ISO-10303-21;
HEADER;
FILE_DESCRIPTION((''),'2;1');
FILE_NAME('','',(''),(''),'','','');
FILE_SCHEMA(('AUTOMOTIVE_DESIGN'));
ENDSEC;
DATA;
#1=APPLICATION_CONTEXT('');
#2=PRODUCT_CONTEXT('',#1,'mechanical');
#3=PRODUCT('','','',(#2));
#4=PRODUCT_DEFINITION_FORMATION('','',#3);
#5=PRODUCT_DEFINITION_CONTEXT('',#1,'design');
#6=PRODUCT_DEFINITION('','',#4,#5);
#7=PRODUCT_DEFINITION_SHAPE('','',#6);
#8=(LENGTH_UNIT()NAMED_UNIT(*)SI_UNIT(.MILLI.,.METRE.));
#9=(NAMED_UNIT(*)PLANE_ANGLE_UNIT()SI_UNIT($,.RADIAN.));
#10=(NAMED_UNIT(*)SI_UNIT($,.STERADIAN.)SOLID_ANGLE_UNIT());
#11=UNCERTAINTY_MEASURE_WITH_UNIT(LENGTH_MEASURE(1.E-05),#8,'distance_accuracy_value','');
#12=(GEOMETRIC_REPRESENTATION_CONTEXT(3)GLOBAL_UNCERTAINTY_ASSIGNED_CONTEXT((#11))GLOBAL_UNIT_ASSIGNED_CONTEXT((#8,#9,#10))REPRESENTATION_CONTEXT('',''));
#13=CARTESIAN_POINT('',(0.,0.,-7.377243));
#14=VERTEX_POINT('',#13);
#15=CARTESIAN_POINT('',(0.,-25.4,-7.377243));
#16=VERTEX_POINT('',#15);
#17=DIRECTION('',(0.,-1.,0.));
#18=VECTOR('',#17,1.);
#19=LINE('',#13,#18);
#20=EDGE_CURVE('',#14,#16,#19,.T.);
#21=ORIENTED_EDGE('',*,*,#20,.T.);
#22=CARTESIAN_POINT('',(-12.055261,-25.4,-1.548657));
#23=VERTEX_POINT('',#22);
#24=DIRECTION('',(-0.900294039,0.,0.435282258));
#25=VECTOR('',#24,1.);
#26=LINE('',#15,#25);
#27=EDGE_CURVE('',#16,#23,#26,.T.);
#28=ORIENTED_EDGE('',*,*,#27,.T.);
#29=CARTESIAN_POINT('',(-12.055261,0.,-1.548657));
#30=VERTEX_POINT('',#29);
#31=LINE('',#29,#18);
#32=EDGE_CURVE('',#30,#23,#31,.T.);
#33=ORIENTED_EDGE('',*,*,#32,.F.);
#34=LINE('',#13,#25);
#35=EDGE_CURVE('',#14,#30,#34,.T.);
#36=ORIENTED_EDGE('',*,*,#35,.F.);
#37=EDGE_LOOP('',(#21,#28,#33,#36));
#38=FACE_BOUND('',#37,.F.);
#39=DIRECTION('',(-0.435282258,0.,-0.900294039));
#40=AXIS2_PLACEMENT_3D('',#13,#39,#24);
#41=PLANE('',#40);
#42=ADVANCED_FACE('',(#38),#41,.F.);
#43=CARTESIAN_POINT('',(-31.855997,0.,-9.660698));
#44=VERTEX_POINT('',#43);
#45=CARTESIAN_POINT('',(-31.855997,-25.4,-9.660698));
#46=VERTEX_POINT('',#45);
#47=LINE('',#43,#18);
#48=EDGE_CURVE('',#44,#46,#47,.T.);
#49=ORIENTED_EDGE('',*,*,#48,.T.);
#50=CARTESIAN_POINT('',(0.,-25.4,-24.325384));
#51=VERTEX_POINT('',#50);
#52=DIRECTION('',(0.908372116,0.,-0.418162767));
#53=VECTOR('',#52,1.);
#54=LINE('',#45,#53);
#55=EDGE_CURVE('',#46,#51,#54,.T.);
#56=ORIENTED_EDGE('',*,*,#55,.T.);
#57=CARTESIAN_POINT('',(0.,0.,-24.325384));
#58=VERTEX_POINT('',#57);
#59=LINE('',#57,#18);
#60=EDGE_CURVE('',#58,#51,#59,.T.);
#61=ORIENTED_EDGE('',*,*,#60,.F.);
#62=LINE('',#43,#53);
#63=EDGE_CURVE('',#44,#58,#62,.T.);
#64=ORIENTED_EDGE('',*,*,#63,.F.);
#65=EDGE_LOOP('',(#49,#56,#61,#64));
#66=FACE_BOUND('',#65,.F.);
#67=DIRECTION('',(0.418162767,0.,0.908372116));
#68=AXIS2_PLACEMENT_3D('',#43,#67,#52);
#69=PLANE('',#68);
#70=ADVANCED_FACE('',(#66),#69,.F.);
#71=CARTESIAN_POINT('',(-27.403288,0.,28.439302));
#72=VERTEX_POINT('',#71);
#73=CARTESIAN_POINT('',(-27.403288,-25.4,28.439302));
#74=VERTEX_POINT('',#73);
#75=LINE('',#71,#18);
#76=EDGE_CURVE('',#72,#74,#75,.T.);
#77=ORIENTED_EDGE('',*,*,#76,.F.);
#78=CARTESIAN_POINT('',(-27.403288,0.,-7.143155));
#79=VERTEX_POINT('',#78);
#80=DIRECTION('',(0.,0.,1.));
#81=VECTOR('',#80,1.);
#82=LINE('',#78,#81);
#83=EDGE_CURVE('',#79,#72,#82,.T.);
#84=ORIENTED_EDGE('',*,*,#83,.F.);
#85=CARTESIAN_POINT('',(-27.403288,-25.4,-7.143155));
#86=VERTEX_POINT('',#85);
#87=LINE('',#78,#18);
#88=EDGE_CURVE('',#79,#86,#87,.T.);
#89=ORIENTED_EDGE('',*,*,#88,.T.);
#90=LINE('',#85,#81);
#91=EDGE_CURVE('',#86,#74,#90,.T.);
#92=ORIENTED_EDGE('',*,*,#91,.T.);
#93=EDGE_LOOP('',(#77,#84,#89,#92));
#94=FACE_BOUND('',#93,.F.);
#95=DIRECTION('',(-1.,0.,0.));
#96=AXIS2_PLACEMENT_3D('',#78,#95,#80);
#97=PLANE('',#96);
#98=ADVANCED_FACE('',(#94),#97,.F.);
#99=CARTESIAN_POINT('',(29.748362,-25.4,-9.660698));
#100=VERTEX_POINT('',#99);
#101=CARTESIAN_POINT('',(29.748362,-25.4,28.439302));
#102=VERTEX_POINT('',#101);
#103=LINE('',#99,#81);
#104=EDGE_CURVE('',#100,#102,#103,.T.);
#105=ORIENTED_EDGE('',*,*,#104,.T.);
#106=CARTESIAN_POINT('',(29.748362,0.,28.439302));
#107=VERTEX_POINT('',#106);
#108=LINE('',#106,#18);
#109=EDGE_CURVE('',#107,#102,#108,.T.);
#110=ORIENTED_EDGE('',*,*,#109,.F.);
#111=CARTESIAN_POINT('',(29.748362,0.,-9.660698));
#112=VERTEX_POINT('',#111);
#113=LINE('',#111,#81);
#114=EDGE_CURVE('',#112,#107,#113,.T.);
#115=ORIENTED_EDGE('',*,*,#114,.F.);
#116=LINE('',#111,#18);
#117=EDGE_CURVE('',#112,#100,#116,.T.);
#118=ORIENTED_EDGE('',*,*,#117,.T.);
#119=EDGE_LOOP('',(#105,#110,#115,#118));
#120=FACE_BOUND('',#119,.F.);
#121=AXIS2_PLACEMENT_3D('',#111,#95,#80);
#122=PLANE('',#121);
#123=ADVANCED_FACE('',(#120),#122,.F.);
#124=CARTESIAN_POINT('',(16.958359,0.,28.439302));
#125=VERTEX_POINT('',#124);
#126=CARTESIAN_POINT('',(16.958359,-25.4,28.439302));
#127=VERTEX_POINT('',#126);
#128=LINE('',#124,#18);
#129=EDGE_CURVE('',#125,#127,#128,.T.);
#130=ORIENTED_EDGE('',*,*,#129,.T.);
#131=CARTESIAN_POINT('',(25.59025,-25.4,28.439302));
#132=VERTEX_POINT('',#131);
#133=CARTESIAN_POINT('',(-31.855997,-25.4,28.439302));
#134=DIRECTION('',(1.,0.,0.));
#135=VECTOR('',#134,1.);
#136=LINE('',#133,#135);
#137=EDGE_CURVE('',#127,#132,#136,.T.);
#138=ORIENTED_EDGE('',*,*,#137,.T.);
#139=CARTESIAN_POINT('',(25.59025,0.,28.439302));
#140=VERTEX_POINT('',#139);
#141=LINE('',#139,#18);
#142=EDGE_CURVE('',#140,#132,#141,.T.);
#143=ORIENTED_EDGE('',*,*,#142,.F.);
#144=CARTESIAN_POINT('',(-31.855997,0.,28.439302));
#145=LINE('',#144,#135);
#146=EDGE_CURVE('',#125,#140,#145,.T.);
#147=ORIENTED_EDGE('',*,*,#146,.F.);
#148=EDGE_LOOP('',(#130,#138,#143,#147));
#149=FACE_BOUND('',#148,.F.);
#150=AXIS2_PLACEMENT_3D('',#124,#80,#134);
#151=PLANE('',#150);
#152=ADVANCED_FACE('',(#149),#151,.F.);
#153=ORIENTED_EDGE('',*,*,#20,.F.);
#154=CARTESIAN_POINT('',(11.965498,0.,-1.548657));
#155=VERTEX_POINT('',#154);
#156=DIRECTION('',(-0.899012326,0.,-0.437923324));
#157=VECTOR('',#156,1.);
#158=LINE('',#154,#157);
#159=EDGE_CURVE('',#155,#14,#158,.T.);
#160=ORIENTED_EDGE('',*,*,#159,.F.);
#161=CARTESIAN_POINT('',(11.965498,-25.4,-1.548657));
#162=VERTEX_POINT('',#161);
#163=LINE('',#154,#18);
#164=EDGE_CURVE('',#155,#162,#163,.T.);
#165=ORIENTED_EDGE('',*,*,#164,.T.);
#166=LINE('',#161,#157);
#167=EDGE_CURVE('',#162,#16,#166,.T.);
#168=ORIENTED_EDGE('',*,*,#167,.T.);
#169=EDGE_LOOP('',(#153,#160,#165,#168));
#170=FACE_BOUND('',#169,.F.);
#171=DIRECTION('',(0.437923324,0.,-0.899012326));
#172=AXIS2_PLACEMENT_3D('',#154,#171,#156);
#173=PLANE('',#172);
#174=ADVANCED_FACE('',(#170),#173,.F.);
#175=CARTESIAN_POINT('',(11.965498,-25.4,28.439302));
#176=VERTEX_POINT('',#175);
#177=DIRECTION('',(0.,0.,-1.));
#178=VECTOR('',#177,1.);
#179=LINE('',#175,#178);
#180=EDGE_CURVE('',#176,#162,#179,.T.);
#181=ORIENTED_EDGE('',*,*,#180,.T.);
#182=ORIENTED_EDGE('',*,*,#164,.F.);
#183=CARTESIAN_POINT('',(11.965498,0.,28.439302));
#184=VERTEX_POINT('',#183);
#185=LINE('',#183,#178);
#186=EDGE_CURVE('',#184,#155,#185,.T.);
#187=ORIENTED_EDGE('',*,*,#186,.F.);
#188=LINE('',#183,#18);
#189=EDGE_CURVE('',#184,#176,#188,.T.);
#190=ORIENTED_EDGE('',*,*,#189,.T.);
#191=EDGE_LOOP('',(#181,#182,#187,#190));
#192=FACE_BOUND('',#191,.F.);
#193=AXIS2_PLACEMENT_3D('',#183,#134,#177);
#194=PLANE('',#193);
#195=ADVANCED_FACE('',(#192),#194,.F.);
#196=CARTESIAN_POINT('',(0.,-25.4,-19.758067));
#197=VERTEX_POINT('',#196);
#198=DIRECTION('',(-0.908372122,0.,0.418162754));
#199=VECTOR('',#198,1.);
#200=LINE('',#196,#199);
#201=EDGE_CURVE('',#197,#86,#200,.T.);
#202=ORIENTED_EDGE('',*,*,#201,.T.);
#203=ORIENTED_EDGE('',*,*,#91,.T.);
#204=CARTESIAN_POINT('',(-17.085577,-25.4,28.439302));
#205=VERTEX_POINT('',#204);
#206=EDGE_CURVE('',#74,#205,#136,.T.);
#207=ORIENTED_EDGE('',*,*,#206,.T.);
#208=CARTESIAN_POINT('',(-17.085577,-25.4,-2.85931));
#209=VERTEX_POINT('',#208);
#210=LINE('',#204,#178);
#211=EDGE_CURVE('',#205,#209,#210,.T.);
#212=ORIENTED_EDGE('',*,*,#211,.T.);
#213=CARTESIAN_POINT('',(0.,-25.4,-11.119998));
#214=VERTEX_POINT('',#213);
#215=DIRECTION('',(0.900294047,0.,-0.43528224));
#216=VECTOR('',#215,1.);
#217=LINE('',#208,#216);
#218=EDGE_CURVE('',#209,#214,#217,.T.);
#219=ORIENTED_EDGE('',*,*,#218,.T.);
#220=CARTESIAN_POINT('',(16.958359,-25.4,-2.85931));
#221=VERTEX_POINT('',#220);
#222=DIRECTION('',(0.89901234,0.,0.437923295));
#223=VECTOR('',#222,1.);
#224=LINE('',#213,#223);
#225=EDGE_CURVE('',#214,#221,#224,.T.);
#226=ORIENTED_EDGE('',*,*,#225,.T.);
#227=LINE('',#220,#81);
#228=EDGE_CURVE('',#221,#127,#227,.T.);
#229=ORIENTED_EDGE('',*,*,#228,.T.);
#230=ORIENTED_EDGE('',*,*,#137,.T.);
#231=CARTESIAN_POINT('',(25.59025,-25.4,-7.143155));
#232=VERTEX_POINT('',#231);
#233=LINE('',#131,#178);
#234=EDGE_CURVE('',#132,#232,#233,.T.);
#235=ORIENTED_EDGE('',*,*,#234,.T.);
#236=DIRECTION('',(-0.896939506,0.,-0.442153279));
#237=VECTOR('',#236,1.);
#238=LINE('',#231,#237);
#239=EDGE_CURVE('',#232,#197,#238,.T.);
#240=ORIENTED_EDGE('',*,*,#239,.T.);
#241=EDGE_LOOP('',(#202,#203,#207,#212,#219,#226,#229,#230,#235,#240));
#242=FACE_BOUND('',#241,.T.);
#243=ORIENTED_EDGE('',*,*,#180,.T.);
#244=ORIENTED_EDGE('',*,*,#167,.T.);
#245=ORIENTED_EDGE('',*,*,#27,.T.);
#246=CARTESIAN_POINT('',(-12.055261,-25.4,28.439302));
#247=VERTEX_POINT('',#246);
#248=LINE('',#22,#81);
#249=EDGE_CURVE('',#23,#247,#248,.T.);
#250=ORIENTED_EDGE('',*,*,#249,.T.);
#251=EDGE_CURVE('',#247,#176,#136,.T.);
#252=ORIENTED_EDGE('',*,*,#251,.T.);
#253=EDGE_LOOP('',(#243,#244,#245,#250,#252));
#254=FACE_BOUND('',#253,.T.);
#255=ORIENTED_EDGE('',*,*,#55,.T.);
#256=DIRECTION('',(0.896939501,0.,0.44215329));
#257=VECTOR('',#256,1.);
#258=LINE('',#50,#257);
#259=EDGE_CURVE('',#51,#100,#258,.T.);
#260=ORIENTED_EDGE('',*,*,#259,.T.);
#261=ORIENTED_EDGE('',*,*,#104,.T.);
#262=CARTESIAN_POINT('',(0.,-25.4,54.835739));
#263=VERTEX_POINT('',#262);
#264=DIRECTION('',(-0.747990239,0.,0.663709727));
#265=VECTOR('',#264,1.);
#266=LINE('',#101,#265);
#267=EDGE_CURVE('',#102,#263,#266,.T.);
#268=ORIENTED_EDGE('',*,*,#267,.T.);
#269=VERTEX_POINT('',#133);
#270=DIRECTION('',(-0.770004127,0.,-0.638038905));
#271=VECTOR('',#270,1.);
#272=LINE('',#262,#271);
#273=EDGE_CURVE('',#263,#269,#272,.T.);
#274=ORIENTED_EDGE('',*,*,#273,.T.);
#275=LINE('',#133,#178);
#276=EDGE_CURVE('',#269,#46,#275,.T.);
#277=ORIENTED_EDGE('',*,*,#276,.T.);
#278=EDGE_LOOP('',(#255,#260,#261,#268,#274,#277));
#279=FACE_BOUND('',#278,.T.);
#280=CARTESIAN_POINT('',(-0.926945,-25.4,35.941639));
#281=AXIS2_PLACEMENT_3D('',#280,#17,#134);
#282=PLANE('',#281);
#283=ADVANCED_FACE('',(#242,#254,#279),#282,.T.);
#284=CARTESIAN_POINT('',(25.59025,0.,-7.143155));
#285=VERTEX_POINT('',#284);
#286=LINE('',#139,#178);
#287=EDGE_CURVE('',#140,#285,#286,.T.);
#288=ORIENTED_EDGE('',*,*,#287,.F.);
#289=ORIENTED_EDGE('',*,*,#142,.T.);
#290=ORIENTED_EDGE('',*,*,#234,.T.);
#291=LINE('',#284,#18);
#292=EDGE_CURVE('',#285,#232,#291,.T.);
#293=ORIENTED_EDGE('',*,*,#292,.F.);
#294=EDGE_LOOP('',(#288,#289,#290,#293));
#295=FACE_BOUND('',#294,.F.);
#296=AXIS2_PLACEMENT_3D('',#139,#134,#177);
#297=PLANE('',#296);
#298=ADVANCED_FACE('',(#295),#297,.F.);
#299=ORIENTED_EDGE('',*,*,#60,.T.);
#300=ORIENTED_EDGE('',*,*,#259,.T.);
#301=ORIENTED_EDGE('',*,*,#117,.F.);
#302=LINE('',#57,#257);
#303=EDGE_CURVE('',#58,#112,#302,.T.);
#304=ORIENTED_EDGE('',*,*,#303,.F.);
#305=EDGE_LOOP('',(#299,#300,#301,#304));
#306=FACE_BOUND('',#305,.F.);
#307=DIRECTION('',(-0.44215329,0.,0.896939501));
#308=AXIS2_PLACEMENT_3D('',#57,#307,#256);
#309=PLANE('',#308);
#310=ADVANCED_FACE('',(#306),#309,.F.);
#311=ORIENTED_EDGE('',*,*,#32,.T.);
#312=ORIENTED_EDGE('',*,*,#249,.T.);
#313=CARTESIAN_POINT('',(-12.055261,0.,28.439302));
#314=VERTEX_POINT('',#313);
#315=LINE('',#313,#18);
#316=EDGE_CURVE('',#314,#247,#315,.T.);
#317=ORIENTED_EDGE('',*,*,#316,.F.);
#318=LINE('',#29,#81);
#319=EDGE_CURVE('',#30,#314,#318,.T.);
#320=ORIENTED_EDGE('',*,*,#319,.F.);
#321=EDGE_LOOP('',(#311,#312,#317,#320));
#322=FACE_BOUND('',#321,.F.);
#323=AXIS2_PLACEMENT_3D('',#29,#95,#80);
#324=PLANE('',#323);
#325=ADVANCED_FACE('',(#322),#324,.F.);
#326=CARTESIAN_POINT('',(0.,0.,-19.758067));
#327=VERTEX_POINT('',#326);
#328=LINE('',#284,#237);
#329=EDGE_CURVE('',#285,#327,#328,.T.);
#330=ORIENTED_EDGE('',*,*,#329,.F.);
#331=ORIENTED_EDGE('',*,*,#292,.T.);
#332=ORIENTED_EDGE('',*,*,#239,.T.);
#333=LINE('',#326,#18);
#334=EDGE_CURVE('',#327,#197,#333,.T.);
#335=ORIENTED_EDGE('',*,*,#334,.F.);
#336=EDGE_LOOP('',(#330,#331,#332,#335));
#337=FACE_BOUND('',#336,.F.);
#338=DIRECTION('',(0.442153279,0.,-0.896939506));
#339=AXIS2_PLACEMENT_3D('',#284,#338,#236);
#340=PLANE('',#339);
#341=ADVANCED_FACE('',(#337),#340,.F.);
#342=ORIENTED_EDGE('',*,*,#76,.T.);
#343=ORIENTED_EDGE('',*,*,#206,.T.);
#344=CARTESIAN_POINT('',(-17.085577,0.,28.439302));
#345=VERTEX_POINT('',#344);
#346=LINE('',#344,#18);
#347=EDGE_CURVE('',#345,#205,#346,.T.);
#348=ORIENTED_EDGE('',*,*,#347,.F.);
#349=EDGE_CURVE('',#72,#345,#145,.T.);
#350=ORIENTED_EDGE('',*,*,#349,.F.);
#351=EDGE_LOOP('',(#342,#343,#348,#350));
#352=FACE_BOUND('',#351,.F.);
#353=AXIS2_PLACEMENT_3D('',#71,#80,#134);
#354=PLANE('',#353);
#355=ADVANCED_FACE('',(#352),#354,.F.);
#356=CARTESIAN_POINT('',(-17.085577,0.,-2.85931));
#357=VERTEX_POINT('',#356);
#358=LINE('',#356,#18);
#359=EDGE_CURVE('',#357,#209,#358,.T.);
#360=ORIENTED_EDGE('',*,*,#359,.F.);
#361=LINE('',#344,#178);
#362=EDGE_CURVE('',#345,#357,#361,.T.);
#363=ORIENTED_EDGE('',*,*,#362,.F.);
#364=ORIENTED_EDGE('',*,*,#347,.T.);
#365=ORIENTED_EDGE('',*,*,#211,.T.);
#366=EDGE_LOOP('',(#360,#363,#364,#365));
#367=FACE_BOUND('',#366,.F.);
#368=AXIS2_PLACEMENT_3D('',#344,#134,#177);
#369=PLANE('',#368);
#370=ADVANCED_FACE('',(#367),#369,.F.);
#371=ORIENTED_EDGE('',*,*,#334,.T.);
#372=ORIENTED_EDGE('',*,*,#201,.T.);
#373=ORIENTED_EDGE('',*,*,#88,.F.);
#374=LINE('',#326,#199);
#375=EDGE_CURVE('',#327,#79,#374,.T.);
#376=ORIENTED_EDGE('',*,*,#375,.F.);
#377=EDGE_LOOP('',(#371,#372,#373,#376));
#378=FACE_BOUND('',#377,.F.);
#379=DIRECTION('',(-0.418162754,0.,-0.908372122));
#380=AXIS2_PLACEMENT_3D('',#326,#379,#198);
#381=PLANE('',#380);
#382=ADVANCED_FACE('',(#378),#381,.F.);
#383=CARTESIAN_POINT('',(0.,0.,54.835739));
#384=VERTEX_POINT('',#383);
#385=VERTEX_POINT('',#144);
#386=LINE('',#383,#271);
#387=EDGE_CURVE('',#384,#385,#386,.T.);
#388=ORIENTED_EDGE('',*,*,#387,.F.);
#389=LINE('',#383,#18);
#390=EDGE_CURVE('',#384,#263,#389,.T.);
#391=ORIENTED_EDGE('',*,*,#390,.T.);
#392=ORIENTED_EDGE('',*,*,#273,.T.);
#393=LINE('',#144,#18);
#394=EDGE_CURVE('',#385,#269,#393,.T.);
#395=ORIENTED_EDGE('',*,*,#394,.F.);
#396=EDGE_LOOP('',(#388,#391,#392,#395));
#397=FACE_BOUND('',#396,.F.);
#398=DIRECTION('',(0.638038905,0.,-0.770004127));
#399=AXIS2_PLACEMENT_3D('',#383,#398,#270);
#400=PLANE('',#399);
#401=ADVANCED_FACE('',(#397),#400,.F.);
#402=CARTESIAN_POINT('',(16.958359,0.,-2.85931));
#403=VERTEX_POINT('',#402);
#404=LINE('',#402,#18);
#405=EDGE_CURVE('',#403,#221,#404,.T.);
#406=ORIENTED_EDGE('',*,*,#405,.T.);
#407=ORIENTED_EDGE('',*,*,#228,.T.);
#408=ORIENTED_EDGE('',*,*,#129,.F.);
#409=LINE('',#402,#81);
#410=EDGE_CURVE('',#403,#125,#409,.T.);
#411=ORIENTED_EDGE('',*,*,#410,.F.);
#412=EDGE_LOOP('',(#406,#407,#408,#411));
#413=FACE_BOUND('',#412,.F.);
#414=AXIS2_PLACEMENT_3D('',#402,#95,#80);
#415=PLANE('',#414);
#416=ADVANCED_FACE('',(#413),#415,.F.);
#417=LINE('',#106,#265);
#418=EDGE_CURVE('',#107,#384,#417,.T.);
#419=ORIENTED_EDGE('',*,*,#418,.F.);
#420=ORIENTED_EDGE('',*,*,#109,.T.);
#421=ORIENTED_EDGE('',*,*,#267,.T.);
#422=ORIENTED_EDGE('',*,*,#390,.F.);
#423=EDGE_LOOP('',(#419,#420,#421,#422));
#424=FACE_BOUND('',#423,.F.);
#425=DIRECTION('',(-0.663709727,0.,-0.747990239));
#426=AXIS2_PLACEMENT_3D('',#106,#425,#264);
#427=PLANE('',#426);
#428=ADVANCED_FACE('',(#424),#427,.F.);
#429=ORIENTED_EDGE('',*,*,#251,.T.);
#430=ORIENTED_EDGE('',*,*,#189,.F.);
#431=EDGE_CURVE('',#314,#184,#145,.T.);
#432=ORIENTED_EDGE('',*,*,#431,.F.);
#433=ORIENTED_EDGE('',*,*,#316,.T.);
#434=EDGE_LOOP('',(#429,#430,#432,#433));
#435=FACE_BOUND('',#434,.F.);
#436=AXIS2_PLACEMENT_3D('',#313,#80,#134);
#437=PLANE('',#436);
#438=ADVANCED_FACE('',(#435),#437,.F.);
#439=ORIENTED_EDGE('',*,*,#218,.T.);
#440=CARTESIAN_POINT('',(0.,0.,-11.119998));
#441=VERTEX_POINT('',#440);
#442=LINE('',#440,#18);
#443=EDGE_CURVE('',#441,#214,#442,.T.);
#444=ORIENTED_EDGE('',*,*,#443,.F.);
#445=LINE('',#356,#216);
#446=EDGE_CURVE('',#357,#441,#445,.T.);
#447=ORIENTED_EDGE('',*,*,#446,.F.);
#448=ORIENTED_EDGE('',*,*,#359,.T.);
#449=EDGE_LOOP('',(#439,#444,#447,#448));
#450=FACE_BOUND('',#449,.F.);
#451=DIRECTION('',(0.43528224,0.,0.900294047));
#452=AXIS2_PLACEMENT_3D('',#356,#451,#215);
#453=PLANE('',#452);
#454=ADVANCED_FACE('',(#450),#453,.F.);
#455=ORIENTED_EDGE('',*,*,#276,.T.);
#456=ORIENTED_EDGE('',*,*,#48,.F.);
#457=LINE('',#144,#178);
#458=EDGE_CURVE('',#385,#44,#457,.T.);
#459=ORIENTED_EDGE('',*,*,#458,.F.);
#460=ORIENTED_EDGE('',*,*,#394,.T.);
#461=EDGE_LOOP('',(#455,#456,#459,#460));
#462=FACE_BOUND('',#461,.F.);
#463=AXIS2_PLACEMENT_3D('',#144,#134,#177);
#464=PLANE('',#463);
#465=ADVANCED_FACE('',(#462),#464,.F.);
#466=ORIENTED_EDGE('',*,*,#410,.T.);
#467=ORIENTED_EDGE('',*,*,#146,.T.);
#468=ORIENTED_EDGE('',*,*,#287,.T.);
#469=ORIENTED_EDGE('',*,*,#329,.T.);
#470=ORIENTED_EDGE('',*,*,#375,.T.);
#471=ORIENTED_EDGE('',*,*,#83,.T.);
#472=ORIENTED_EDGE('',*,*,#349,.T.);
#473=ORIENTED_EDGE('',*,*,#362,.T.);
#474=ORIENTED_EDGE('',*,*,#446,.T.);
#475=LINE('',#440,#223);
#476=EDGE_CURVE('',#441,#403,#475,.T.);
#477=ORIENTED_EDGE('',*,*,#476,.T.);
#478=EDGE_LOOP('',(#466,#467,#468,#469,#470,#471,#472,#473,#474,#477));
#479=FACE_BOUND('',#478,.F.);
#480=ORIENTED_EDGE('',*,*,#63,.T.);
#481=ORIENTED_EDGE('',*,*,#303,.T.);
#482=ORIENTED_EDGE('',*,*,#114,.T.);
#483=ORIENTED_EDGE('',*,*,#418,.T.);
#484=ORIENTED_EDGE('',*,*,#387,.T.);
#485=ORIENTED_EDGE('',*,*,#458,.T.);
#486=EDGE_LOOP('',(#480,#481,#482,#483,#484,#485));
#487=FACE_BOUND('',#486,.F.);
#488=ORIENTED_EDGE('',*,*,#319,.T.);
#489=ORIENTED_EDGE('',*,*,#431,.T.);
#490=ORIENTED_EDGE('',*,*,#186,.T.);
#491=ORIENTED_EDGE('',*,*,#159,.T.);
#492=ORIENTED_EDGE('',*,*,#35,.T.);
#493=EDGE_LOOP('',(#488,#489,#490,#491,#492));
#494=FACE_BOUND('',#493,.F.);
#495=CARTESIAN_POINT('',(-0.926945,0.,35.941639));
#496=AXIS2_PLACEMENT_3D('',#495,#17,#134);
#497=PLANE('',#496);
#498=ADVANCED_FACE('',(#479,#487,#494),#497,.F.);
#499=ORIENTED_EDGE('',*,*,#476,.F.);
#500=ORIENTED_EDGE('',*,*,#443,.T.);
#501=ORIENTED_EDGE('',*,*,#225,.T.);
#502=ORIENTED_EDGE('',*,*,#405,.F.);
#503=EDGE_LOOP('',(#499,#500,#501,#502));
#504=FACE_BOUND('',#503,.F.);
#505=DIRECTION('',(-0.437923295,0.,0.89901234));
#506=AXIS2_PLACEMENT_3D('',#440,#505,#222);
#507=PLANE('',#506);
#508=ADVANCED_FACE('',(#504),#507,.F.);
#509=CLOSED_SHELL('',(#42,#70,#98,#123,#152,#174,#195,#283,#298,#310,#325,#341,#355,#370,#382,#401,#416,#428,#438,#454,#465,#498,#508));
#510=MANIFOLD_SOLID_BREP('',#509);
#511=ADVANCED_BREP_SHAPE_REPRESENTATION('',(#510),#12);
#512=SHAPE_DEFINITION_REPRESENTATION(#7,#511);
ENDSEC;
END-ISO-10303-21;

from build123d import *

# Parameters (mm, degrees)
F1_DEPTH = 25.4


with BuildPart() as f1:
    # F0 (on Front) → F1 (new body)
    with BuildSketch(Plane.XZ):
        Polygon((-12.055261, 28.439302), (0, 28.439302), (11.965498, 28.439302), (16.958359, 28.439302), (25.59025, 28.439302), (29.748362, 28.439302), (0, 54.835739), (-31.855997, 28.439302), (-27.403288, 28.439302), (-17.085577, 28.439302), align=None)
        Polygon((-27.403288, -7.143155), (-27.403288, 28.439302), (-31.855997, 28.439302), (-31.855997, -9.660698), (0, -24.325384), (29.748362, -9.660698), (29.748362, 28.439302), (25.59025, 28.439302), (25.59025, -7.143155), (0, -19.758067), align=None)
        Polygon((-12.055261, -1.548657), (-12.055261, 28.439302), (-17.085577, 28.439302), (-17.085577, -2.85931), (0, -11.119998), (16.958359, -2.85931), (16.958359, 28.439302), (11.965498, 28.439302), (11.965498, -1.548657), (0, -7.377243), align=None)
    extrude(amount=F1_DEPTH)


solid = f1.part
